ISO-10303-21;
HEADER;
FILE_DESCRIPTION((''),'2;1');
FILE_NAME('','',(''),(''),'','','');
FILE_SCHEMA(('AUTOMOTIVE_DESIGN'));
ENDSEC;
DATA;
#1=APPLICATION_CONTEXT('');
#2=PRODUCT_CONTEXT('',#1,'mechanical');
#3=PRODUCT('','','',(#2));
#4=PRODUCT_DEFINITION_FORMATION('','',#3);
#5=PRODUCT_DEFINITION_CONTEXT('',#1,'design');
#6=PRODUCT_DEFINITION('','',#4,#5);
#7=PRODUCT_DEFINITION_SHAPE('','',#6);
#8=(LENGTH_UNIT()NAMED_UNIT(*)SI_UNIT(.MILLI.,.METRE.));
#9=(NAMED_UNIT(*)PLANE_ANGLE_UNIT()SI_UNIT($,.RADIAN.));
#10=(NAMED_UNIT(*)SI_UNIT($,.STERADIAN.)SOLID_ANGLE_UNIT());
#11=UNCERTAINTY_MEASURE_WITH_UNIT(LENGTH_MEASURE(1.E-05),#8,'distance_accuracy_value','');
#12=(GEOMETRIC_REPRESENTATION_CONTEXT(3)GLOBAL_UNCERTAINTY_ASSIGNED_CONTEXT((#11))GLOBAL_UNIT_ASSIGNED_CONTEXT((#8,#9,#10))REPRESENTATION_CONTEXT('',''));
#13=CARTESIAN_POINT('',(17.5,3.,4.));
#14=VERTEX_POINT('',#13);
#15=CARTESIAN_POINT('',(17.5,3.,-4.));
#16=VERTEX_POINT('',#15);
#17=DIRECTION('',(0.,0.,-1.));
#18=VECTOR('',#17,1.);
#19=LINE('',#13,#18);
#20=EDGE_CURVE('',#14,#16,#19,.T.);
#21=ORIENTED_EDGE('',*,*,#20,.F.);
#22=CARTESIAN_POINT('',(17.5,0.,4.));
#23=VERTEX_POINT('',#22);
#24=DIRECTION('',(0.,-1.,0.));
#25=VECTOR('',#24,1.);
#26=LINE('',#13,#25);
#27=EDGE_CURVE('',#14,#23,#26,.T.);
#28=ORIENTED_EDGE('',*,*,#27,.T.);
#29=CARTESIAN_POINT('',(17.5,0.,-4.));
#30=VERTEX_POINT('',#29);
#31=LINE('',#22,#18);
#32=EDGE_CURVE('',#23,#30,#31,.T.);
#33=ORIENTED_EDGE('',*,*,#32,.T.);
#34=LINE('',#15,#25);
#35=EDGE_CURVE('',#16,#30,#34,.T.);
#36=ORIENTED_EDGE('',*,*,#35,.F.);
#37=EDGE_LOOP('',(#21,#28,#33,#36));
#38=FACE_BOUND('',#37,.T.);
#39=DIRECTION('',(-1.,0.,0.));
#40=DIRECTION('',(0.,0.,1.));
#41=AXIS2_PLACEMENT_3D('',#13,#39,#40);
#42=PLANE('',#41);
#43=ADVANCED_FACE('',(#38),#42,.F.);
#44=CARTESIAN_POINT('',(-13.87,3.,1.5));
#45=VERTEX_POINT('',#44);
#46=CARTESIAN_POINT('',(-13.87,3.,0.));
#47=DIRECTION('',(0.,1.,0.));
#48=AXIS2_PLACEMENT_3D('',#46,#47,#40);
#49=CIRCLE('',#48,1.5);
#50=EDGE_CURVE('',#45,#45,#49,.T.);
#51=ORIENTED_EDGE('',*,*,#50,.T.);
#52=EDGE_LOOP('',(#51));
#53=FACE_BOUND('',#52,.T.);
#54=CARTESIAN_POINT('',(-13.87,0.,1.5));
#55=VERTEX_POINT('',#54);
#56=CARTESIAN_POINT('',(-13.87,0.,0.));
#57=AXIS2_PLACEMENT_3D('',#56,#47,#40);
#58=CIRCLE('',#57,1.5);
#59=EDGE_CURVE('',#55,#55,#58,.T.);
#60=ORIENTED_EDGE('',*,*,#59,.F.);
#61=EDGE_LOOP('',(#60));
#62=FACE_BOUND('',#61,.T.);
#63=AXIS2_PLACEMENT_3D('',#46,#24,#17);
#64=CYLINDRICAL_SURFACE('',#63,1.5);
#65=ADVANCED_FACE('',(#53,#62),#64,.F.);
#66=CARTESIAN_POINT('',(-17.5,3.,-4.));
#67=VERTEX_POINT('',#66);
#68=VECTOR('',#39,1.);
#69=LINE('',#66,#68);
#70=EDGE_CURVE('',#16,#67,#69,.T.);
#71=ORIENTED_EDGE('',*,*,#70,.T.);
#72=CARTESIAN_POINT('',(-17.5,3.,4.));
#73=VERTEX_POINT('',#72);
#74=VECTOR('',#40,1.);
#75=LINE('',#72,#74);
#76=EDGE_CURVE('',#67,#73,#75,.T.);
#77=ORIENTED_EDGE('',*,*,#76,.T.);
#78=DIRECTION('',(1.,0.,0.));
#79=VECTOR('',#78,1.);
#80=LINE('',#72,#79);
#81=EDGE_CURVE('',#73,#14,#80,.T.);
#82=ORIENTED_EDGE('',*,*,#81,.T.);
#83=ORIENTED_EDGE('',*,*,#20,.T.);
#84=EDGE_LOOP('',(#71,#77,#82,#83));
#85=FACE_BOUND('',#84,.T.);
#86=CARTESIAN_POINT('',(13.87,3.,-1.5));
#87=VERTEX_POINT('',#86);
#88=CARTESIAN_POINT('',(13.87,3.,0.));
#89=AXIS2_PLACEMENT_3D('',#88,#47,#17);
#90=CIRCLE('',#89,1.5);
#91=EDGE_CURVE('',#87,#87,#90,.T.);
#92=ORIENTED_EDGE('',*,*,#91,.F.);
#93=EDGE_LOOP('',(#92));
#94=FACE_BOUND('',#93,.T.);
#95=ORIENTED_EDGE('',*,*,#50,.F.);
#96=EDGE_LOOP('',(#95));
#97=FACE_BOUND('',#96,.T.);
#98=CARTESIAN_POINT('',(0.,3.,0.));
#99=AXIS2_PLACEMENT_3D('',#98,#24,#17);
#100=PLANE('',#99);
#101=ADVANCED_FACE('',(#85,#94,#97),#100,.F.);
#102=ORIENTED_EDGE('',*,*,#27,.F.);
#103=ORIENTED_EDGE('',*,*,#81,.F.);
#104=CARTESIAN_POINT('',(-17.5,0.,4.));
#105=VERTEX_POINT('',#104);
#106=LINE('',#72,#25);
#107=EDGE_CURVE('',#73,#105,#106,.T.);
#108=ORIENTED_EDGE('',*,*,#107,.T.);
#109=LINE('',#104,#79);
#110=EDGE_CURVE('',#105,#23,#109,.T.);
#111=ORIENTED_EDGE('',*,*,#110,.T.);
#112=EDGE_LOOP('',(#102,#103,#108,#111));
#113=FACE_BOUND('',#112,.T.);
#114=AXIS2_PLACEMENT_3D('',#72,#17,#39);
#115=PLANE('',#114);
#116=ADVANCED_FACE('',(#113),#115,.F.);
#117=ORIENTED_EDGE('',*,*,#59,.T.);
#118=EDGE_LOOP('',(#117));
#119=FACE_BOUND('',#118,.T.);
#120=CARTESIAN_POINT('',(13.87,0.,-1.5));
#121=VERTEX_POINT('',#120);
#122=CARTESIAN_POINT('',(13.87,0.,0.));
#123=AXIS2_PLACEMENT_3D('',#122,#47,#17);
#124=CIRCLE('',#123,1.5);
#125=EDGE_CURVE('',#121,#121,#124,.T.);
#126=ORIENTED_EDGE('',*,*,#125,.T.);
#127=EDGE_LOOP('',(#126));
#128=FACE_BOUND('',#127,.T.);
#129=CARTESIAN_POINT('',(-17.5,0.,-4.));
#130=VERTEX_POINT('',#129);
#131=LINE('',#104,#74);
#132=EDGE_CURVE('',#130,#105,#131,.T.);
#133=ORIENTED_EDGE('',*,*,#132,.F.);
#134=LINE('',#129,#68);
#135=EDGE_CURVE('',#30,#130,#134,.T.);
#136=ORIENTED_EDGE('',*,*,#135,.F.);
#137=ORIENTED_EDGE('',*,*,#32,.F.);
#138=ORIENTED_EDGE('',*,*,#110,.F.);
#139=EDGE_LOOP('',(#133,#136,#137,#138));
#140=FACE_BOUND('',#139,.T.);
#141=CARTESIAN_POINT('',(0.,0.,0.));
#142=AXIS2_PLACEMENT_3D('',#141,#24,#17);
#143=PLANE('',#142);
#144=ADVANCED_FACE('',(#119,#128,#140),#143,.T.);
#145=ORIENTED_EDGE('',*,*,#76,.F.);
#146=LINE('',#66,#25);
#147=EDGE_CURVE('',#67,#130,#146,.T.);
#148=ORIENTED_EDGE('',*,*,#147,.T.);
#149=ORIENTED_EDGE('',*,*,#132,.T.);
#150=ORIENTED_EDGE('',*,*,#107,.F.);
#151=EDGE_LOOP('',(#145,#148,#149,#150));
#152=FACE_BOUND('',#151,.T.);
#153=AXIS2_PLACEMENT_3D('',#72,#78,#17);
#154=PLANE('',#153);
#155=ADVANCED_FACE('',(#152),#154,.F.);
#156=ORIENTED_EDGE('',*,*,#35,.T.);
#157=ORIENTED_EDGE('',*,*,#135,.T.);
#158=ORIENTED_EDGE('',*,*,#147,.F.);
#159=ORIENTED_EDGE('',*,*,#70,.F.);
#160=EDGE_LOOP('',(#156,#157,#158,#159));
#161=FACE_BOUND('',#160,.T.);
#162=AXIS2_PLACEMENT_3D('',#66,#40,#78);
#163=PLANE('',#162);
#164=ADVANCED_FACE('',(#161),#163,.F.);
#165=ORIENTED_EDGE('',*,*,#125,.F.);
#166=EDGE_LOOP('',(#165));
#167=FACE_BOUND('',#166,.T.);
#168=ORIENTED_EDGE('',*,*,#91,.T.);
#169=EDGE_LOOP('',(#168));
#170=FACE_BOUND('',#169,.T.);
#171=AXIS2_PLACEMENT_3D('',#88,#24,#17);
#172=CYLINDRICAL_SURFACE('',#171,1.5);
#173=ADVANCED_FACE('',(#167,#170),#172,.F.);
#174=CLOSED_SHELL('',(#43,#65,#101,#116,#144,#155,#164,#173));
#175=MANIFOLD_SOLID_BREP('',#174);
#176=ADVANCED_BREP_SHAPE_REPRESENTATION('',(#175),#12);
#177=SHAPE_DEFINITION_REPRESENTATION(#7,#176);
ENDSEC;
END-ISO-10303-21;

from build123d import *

# Parameters (mm, degrees)
SKETCH1_W           = 35
SKETCH1_H           = 8
SKETCH1_R           = 1.5
BOSS_EXTRUDE1_DEPTH = 3


with BuildPart() as part:
    # Sketch1 → Boss-Extrude1 (new body)
    with BuildSketch(Plane(origin=(0, 0, 0), x_dir=(1, 0, 0), z_dir=(0, 1, 0))):
        Rectangle(SKETCH1_W, SKETCH1_H)
        with Locations(Location((-13.87, 0, 0), (0, 0, 270))):
            Circle(SKETCH1_R, mode=Mode.SUBTRACT)
        with Locations(Location((13.87, 0, 0), (0, 0, 90))):
            Circle(SKETCH1_R, mode=Mode.SUBTRACT)
    extrude(amount=BOSS_EXTRUDE1_DEPTH)


solid = part.part
